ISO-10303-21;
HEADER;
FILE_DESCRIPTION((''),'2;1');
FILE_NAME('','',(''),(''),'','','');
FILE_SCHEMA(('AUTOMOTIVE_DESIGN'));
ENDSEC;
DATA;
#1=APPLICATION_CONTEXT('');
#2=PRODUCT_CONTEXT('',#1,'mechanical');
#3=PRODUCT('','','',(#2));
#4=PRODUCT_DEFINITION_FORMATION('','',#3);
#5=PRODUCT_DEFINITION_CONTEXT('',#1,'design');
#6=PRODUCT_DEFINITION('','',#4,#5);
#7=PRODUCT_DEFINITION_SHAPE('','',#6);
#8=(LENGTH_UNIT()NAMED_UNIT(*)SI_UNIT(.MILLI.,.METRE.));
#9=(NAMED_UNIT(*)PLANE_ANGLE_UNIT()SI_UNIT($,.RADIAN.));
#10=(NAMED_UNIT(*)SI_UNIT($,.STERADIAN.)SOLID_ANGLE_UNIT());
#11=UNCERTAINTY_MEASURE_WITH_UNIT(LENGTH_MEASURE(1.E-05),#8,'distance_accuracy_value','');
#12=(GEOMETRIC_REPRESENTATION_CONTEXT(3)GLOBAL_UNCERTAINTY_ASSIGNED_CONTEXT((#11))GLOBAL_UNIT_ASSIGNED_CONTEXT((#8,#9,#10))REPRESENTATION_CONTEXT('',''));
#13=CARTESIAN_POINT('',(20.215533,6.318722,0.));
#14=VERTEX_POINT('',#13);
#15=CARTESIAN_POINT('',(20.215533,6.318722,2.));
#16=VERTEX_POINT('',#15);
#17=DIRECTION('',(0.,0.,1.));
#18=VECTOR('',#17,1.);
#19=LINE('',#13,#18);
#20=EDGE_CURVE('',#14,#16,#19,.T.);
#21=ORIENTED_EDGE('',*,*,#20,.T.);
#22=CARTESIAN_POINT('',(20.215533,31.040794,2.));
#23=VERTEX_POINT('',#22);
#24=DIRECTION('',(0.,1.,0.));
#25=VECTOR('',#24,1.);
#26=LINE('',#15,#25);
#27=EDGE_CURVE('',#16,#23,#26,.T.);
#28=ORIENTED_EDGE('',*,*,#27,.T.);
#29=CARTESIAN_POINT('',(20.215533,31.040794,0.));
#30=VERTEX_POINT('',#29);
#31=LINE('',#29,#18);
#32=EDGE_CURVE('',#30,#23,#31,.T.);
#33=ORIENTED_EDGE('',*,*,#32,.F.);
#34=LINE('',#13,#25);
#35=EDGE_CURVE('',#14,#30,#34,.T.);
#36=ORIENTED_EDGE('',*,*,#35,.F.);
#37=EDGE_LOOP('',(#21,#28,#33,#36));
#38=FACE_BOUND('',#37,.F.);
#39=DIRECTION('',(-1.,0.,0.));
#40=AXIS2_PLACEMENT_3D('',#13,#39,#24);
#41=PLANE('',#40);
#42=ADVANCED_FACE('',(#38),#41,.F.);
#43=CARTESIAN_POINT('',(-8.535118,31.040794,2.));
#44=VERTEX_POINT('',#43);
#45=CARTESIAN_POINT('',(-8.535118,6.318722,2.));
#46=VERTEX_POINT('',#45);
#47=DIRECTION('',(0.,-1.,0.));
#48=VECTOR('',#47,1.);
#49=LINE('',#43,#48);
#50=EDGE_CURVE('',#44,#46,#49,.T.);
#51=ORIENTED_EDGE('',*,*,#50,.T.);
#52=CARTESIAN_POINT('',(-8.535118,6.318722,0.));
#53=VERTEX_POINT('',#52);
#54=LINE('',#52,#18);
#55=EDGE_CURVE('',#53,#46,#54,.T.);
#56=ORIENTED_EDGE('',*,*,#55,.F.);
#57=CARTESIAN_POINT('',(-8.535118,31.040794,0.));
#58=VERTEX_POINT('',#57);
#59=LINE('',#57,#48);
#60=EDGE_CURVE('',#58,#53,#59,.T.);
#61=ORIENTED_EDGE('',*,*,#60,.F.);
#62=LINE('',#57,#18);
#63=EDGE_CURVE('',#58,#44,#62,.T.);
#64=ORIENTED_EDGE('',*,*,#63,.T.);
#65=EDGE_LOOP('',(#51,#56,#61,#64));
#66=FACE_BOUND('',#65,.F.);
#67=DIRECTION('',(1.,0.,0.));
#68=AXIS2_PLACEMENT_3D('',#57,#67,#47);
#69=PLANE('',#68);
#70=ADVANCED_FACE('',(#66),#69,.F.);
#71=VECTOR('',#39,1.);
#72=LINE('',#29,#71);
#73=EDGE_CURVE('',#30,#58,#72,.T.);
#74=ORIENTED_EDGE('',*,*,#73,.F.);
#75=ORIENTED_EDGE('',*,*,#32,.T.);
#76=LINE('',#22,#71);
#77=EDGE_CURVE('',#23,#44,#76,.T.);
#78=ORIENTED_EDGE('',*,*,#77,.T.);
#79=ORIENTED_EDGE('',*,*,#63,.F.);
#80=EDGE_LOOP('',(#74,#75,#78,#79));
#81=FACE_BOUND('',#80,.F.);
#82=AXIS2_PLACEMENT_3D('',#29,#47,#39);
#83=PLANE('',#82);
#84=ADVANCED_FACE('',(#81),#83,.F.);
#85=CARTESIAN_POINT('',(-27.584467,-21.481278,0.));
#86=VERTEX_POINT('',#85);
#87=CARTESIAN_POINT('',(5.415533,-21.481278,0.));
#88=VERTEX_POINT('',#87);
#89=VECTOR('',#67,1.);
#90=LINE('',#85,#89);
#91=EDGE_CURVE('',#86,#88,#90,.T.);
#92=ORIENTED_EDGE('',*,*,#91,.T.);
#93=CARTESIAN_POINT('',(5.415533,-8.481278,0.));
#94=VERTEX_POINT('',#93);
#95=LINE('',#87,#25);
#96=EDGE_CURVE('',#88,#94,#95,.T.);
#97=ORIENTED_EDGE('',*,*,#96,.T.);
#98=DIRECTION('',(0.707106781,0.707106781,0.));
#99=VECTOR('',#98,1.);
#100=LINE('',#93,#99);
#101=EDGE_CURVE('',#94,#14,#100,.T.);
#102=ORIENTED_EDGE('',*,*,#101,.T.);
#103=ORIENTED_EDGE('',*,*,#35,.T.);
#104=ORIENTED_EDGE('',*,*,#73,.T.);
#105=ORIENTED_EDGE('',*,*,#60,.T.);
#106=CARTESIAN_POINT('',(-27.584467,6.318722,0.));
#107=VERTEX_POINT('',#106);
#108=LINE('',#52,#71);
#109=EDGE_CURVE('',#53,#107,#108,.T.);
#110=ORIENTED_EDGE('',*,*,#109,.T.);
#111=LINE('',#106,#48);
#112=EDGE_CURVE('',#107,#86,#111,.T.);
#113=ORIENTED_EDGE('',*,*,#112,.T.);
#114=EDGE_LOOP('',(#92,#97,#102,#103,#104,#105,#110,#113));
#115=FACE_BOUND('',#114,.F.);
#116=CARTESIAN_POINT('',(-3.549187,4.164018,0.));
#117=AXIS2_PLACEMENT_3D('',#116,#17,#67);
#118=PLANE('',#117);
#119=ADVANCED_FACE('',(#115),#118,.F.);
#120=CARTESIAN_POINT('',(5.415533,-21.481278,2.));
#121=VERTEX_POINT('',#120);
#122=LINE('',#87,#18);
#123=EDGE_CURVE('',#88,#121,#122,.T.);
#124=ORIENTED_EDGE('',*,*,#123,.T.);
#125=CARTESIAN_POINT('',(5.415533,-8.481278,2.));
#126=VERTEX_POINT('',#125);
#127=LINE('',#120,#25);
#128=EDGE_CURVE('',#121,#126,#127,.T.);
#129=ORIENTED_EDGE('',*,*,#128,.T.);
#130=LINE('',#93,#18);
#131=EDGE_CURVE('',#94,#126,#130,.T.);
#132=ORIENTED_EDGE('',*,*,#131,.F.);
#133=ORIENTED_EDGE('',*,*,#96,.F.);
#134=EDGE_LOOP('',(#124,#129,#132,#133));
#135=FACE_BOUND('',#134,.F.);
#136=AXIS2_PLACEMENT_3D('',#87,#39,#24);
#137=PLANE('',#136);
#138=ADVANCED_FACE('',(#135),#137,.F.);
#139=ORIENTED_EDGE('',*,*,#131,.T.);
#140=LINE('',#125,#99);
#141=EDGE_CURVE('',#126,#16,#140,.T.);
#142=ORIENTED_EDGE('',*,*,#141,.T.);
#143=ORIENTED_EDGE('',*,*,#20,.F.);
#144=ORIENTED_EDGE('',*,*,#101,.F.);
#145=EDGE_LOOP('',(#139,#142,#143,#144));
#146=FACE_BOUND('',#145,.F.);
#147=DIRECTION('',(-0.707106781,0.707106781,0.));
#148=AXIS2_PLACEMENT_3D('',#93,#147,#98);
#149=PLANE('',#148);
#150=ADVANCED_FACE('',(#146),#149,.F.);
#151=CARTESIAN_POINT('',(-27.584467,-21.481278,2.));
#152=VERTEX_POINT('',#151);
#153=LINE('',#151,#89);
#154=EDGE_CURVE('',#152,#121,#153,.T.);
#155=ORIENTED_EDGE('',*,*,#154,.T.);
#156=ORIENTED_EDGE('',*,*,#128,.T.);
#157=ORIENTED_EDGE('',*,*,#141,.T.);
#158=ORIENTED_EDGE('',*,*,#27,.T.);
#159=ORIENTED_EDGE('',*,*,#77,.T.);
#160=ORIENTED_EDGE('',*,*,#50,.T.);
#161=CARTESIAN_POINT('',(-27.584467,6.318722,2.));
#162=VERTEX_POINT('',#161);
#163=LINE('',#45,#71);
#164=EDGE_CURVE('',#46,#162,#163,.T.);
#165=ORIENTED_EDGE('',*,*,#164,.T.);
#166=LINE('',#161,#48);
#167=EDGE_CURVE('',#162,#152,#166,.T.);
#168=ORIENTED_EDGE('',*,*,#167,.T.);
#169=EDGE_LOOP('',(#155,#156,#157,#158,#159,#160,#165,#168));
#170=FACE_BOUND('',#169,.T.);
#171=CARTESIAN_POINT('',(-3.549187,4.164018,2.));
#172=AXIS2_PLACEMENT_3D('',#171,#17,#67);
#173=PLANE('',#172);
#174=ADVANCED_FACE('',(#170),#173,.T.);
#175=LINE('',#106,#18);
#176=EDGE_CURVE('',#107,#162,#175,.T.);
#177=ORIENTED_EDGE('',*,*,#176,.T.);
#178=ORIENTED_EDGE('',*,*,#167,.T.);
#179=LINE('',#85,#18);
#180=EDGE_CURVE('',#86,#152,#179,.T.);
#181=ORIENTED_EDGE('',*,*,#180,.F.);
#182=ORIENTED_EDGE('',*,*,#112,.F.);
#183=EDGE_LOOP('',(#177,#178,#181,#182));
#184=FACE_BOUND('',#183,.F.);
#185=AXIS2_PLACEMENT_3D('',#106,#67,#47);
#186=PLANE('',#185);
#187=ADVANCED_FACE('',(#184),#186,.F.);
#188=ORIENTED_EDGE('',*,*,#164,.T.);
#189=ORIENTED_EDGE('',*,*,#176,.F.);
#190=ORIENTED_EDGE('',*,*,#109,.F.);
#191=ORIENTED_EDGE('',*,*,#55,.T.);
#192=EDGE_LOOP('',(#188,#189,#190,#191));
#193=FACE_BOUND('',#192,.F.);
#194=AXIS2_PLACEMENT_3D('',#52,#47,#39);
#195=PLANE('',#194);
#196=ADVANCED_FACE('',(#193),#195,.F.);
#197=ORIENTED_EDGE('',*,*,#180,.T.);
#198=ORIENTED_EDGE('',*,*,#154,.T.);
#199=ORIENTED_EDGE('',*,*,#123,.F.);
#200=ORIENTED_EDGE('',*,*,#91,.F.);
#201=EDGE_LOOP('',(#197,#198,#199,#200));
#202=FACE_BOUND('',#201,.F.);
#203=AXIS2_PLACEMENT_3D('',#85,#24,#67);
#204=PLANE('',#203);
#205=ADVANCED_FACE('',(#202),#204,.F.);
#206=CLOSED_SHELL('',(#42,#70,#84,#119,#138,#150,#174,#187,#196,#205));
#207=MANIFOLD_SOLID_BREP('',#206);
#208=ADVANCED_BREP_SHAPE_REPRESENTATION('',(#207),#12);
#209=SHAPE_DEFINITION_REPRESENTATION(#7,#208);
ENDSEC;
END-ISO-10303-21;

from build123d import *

# Parameters (mm, degrees)
PAD_DEPTH = 2


with BuildPart() as part:
    # Sketch → Pad (new body)
    with BuildSketch(Plane.XY):
        Polygon((-27.584467, 6.318722), (-27.584467, -21.481278), (5.415533, -21.481278), (5.415533, -8.481278), (20.215533, 6.318722), (20.215533, 31.040794), (-8.535118, 31.040794), (-8.535118, 6.318722), align=None)
    extrude(amount=PAD_DEPTH)


solid = part.part
